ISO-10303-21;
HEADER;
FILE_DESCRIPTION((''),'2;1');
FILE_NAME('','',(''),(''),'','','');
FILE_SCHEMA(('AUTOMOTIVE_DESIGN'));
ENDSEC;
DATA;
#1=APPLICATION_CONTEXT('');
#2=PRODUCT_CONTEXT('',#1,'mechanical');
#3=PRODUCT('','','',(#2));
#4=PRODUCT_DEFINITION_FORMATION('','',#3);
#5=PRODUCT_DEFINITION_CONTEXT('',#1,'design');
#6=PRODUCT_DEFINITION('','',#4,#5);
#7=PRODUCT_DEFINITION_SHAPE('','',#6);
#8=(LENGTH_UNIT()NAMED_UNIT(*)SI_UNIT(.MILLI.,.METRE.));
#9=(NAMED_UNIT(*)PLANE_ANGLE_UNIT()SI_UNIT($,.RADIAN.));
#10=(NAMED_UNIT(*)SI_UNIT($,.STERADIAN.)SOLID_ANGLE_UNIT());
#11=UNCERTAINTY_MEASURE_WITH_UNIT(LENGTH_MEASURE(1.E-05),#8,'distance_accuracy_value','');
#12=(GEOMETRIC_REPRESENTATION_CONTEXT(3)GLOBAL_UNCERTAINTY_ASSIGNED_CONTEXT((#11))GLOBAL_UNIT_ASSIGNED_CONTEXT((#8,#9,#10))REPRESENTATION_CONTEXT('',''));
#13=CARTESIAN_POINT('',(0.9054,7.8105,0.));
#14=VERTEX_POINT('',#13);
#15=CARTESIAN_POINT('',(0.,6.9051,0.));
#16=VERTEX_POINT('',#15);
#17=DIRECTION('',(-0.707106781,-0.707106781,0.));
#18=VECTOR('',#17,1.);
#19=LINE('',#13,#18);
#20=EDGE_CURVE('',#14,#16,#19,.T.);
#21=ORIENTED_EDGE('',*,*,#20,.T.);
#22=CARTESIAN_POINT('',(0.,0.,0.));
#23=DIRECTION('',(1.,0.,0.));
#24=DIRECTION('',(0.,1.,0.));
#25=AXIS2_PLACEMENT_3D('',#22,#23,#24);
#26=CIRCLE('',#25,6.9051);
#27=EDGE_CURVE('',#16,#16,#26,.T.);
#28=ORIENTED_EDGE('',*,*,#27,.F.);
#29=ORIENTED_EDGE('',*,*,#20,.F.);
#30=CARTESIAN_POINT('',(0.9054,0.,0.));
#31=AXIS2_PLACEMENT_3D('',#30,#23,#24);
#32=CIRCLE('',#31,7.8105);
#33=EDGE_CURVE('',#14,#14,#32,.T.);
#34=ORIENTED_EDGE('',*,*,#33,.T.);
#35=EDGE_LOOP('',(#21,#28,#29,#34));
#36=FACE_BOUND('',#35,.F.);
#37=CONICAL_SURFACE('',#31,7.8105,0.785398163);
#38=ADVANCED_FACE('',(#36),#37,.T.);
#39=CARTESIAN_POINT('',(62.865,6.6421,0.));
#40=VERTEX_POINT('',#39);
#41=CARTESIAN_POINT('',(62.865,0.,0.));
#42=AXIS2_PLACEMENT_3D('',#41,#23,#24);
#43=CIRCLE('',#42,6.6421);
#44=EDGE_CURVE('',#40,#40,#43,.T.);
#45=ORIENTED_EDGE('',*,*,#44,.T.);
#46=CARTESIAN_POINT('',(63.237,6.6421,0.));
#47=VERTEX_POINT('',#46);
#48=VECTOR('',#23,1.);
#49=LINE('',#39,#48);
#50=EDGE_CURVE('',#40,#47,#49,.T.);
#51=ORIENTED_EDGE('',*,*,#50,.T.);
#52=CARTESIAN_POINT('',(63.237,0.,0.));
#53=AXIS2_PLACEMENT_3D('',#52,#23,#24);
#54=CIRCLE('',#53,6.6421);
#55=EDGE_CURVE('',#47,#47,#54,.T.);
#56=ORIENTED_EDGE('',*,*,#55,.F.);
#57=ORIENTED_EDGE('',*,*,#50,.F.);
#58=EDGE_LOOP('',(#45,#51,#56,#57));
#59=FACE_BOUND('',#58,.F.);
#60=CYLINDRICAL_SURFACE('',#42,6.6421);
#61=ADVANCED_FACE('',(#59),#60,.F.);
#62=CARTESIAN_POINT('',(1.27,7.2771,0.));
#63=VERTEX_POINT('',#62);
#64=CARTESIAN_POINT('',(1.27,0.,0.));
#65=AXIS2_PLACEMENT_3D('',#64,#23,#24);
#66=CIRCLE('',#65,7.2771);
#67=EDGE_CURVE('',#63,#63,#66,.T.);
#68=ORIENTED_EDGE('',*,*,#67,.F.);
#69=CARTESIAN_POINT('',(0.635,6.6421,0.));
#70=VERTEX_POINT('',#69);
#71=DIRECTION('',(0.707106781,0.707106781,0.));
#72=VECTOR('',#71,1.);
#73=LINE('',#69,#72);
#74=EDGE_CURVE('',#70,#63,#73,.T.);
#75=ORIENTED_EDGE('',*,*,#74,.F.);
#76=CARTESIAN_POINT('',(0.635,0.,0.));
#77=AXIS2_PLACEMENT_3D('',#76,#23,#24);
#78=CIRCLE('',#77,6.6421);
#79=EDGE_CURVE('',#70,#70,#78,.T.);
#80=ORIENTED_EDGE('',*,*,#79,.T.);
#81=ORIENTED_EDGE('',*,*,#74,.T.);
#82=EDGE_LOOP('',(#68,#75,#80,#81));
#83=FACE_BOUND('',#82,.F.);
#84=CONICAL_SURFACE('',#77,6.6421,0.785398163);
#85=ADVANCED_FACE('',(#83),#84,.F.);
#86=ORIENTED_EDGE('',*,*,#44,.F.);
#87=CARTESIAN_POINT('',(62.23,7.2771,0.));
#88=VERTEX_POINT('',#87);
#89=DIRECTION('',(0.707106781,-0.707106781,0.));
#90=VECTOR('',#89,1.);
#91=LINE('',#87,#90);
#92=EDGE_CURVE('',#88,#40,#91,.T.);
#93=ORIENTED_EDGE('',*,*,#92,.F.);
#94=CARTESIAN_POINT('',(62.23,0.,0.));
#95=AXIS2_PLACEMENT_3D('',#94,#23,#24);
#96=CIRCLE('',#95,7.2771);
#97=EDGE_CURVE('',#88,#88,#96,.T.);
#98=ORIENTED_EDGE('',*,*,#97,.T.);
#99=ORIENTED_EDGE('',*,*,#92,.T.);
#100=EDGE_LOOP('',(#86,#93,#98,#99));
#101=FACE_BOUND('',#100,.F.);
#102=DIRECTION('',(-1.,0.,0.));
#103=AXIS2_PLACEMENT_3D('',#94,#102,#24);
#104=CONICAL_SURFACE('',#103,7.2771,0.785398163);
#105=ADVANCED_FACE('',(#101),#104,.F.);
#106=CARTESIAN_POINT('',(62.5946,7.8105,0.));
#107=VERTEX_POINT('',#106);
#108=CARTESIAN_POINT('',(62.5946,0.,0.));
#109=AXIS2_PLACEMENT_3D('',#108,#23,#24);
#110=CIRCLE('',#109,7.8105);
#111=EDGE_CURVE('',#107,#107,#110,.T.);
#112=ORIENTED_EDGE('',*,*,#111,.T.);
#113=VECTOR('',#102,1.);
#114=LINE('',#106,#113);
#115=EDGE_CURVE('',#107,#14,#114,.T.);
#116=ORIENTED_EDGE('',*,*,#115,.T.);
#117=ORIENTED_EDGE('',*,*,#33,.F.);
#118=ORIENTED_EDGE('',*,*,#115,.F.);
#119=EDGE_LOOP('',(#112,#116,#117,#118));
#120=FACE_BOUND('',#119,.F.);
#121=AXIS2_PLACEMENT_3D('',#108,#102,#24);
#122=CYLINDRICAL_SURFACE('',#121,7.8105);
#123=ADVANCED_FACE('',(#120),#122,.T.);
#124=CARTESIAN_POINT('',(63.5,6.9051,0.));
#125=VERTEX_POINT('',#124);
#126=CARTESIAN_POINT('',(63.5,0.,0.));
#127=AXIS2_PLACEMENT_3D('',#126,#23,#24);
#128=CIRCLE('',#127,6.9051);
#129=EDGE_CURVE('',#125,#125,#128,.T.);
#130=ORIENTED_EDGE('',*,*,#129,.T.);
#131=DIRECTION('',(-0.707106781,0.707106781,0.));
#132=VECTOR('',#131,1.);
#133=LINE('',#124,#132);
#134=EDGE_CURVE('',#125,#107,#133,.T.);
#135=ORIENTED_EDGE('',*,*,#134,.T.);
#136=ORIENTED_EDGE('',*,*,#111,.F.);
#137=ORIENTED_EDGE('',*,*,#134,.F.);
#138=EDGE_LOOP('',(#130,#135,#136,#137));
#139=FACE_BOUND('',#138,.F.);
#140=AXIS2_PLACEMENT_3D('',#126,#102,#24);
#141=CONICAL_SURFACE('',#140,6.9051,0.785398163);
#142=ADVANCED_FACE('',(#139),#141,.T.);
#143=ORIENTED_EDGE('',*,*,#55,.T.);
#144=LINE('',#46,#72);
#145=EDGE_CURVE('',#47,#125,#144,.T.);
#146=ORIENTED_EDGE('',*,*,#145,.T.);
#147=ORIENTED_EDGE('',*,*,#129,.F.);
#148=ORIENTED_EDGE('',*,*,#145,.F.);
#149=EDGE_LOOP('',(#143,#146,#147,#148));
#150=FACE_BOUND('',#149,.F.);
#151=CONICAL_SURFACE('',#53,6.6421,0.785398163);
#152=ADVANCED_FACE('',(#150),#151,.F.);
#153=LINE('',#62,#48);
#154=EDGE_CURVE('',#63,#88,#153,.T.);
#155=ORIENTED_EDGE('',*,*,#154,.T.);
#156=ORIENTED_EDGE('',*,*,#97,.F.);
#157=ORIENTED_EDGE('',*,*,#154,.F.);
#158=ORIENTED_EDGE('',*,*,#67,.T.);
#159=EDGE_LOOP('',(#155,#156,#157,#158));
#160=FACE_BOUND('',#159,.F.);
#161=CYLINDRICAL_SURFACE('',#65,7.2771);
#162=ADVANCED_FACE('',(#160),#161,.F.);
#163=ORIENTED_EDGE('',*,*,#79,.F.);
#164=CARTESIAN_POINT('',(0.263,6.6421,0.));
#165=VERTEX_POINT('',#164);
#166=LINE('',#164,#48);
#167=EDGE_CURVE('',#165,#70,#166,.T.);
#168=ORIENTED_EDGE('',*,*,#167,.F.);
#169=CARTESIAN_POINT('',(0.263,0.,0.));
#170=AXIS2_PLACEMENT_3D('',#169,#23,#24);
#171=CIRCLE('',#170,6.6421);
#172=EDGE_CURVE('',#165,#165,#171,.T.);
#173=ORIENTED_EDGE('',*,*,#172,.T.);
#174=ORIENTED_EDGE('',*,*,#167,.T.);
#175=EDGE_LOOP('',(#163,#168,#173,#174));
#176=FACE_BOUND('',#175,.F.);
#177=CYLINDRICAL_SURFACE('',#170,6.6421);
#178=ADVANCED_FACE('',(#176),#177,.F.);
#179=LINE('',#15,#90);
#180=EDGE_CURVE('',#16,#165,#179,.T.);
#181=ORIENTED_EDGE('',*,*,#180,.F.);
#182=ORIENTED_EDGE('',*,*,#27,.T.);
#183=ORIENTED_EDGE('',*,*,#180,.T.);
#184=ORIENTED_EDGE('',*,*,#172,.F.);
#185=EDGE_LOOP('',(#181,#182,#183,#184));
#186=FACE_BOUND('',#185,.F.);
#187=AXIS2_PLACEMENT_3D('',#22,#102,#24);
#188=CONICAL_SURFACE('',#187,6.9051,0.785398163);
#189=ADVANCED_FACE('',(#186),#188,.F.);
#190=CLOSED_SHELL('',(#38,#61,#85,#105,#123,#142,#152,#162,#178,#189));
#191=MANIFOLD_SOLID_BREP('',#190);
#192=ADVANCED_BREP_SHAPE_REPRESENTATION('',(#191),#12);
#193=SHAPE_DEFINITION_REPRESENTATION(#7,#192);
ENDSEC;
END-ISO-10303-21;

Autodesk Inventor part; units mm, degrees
sketch "Sketch_5" plane through (0, 0, 0) normal (0, 0, 1) x (1, 0, 0)
  line L0 (63.5, 0) -> (-63.5, 0)
  line L1 (0, 6.9051) -> (0.263, 6.6421)
  line L2 (0.263, 6.6421) -> (0.635, 6.6421)
  line L3 (0.635, 6.6421) -> (1.27, 7.2771)
  line L4 (1.27, 7.2771) -> (62.23, 7.2771)
  line L5 (62.23, 7.2771) -> (62.865, 6.6421)
  line L6 (62.865, 6.6421) -> (63.237, 6.6421)
  line L7 (63.237, 6.6421) -> (63.5, 6.9051)
  line L8 (63.5, 6.9051) -> (62.5946, 7.8105)
  line L9 (62.5946, 7.8105) -> (0.9054, 7.8105)
  line L10 (0.9054, 7.8105) -> (0, 6.9051)
revolve "Revolution1" add sketch "Sketch_5" angle 360 about axis through (63.5, 0, 0) along (1, 0, 0)
ref_plane "o1_XY" through (0, -7.8105, 0) normal (1, 0, 0) x (0, 0, -1)
ref_plane "o1_YZ" through (0, -7.8105, 0) normal (0, 0, -1) x (0, 1, 0)
ref_plane "o1_ZX" through (0, -7.8105, 0) normal (0, 1, 0) x (1, 0, 0)
ref_plane "o2_XY" through (0, 7.8105, 0) normal (1, 0, 0) x (0, 0, -1)
ref_plane "o2_YZ" through (0, 7.8105, 0) normal (0, 0, -1) x (0, 1, 0)
ref_plane "o2_ZX" through (0, 7.8105, 0) normal (0, 1, 0) x (1, 0, 0)
ref_plane "t1_XY" through (31.75, 7.8105, 0) normal (1, 0, 0) x (0, 0, -1)
ref_plane "t1_YZ" through (31.75, 7.8105, 0) normal (0, 0, -1) x (0, 1, 0)
ref_plane "t1_ZX" through (31.75, 7.8105, 0) normal (0, 1, 0) x (1, 0, 0)
ref_plane "t2_XY" through (31.75, 0, -7.8105) normal (1, 0, 0) x (0, 0, -1)
ref_plane "t2_YZ" through (31.75, 0, -7.8105) normal (0, 0, -1) x (0, 1, 0)
ref_plane "t2_ZX" through (31.75, 0, -7.8105) normal (0, 1, 0) x (1, 0, 0)
ref_plane "t3_XY" through (31.75, -7.8105, 0) normal (1, 0, 0) x (0, 0, -1)
ref_plane "t3_YZ" through (31.75, -7.8105, 0) normal (0, 0, -1) x (0, 1, 0)
ref_plane "t3_ZX" through (31.75, -7.8105, 0) normal (0, 1, 0) x (1, 0, 0)
ref_plane "t4_XY" through (31.75, 0, 7.8105) normal (1, 0, 0) x (0, 0, -1)
ref_plane "t4_YZ" through (31.75, 0, 7.8105) normal (0, 0, -1) x (0, 1, 0)
ref_plane "t4_ZX" through (31.75, 0, 7.8105) normal (0, 1, 0) x (1, 0, 0)
ref_plane "tube1_XY" through (1.27, 0, 0) normal (1, 0, 0) x (0, 0, -1)
ref_plane "tube1_YZ" through (1.27, 0, 0) normal (0, 0, -1) x (0, 1, 0)
ref_plane "tube1_ZX" through (1.27, 0, 0) normal (0, 1, 0) x (1, 0, 0)
ref_plane "tube2_XY" through (62.23, 0, 0) normal (1, 0, 0) x (0, 0, -1)
ref_plane "tube2_YZ" through (62.23, 0, 0) normal (0, 0, -1) x (0, 1, 0)
ref_plane "tube2_ZX" through (62.23, 0, 0) normal (0, 1, 0) x (1, 0, 0)
properties part number "D-7516XP-2.5" material "Steel"
